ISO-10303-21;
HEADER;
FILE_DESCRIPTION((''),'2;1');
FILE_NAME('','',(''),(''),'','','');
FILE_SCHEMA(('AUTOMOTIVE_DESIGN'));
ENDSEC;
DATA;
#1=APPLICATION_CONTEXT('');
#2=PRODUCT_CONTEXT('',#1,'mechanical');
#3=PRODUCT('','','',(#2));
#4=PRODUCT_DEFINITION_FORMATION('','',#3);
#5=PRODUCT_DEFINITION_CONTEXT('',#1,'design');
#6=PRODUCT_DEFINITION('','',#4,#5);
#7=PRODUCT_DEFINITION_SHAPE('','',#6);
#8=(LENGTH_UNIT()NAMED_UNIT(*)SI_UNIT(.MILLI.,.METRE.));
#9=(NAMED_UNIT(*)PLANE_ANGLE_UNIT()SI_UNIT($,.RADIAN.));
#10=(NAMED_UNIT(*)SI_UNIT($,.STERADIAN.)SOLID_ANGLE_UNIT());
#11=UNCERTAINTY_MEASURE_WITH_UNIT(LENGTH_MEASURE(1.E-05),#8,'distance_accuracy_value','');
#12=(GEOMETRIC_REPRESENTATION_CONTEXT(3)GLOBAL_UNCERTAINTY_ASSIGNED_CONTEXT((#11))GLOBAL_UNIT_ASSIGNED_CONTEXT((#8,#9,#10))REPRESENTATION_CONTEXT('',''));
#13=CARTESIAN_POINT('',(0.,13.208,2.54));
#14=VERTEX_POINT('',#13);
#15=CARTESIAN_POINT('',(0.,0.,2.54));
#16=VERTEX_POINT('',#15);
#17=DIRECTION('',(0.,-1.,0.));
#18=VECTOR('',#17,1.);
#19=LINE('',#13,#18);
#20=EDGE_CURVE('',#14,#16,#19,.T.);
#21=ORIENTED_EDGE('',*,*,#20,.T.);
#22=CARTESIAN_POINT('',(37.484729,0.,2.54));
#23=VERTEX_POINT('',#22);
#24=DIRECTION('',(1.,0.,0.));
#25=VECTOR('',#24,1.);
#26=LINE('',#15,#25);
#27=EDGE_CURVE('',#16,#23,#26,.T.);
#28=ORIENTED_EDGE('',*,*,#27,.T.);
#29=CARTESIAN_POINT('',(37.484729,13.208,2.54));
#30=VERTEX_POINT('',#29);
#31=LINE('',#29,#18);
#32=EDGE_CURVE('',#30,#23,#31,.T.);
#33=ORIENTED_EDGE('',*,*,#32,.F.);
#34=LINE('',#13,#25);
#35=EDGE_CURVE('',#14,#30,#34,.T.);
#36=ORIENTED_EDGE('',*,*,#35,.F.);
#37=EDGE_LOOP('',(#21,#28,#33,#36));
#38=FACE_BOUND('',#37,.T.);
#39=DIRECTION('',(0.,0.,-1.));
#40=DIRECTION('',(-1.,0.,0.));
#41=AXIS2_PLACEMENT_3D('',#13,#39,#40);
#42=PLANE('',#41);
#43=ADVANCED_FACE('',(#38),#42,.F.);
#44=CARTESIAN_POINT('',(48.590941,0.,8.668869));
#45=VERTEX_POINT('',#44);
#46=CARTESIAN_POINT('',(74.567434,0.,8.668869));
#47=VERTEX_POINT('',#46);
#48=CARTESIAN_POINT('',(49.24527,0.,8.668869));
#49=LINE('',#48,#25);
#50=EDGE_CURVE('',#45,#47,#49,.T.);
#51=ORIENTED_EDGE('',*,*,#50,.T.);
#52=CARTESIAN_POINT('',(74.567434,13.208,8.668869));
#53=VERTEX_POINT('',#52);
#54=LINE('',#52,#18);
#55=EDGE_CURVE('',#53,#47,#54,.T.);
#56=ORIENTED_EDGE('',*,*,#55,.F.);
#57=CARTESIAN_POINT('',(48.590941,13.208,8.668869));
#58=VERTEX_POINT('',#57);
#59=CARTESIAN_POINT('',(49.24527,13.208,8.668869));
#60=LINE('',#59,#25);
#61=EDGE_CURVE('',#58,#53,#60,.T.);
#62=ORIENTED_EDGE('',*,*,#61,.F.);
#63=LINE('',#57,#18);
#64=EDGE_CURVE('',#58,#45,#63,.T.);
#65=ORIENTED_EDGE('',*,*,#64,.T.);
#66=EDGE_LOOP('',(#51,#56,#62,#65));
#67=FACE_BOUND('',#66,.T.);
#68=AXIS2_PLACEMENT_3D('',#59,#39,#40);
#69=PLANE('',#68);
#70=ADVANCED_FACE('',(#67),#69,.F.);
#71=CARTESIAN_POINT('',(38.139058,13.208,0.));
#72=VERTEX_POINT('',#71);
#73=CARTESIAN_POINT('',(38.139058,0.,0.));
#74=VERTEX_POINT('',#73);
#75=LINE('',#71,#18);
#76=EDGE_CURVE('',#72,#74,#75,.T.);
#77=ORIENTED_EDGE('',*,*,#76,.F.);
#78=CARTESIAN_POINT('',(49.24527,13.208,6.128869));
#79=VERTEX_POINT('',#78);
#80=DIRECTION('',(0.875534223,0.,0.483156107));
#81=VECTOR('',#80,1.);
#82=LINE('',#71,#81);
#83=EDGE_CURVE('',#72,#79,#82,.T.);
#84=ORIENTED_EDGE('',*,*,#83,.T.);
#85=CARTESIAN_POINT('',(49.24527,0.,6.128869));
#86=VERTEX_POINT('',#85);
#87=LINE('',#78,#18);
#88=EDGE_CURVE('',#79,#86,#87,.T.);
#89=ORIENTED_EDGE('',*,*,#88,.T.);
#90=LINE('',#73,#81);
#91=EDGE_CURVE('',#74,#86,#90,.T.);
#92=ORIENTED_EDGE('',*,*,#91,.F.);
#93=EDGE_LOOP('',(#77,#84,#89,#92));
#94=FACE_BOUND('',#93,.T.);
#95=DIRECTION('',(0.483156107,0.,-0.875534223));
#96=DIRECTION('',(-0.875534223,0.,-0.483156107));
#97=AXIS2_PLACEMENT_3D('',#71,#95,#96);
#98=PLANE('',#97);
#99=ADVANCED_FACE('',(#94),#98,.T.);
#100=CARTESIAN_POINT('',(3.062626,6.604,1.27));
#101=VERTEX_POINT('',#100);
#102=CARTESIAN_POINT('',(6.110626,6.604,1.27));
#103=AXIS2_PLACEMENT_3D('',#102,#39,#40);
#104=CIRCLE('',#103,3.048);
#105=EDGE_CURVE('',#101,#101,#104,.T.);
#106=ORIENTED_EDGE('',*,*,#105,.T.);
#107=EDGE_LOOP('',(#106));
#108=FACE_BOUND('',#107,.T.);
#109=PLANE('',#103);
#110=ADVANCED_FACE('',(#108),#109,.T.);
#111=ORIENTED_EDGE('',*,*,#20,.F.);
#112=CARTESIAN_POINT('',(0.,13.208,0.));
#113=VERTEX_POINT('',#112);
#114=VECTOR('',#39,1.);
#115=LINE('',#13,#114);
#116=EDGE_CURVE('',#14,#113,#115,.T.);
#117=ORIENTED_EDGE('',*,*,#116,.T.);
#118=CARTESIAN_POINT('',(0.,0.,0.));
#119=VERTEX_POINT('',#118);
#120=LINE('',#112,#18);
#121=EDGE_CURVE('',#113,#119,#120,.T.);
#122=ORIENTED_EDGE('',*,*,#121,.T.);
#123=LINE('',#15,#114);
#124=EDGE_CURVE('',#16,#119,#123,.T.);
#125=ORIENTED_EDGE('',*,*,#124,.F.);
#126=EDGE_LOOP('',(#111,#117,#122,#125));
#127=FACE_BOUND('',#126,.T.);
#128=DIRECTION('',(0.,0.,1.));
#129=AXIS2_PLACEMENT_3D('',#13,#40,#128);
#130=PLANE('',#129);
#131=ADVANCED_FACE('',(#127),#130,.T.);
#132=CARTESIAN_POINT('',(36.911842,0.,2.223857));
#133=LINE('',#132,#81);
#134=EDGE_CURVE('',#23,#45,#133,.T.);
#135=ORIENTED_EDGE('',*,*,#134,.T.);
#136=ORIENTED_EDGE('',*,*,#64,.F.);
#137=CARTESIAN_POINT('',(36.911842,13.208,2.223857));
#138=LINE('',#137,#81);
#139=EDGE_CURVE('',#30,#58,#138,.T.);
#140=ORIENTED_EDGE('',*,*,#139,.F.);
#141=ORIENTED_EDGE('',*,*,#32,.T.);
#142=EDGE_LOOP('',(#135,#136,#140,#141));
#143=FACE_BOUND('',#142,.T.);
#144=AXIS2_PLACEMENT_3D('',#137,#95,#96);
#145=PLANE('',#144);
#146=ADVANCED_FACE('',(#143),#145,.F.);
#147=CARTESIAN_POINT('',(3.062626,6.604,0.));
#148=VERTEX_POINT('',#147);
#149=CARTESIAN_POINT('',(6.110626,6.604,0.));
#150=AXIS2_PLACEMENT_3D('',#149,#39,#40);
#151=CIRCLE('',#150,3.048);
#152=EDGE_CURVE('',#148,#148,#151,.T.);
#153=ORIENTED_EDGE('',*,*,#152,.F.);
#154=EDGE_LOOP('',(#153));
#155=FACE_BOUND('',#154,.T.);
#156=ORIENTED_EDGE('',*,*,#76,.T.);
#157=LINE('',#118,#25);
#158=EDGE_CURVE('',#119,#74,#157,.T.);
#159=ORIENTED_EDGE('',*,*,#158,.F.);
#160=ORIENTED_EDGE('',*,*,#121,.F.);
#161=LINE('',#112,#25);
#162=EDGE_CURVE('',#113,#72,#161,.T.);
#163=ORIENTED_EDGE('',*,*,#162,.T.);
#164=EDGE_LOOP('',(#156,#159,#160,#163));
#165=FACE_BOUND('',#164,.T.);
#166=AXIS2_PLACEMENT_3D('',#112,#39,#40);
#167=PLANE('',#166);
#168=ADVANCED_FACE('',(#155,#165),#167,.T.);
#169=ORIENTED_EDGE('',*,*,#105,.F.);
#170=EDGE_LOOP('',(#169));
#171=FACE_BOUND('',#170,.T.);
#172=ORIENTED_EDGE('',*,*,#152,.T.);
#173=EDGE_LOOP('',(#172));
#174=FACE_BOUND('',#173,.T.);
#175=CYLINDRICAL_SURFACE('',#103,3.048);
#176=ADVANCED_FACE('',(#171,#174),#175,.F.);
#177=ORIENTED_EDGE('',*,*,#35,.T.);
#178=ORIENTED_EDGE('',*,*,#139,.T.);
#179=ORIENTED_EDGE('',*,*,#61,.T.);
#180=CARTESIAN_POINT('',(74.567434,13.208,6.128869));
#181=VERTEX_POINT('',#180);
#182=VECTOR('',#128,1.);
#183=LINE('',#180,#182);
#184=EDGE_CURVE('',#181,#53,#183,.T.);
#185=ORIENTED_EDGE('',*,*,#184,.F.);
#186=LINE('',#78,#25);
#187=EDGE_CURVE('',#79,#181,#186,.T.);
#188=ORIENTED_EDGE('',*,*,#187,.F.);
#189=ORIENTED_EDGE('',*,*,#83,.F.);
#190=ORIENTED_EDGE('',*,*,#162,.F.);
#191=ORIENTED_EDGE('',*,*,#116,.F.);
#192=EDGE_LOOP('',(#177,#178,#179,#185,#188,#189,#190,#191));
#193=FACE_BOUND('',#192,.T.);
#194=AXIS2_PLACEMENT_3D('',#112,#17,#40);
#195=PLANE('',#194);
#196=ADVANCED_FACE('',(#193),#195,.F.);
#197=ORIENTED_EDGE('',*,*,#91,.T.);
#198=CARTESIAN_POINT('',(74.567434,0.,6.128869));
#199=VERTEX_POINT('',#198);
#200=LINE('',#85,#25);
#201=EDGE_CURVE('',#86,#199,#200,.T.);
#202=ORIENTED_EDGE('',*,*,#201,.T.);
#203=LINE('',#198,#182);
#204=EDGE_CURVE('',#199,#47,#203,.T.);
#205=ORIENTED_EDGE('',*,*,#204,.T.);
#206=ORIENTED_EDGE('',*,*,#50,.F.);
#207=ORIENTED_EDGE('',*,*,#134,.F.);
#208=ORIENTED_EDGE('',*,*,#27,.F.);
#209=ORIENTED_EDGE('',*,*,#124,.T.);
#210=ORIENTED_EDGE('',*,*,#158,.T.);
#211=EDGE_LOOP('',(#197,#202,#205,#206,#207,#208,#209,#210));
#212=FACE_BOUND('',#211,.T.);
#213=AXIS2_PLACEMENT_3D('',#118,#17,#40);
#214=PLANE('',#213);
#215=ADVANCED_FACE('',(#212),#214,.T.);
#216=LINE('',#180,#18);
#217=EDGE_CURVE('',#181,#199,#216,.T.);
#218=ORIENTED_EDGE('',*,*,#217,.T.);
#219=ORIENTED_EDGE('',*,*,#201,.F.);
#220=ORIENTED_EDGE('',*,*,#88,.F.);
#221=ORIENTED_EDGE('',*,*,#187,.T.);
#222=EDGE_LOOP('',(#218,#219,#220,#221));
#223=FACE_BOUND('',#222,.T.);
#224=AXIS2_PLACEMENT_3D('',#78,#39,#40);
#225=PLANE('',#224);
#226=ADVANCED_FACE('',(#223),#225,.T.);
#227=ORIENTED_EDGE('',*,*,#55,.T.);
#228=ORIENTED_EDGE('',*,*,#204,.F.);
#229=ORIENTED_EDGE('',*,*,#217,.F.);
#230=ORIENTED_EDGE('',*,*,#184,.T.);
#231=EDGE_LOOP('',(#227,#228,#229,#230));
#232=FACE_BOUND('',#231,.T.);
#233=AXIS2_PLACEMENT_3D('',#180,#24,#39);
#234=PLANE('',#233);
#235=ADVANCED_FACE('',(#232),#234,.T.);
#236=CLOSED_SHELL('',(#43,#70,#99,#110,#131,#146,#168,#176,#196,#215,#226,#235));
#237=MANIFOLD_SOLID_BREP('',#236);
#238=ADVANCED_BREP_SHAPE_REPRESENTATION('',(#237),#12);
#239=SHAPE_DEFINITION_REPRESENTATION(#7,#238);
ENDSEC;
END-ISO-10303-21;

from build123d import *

# Parameters (mm, degrees)
EXTRUDE_THIN1_DEPTH = 13.208
SKETCH3_R           = 3.048
CUT_EXTRUDE1_DEPTH  = 1.27


with BuildPart() as part:
    # Sketch1 → Extrude-Thin1 (new body)
    with BuildSketch(Plane(origin=(0, 0, 0), x_dir=(1, 0, 0), z_dir=(0, 1, 0))):
        Polygon((0, 0), (38.139058105, 0), (49.245270394, -6.128868698), (74.567434413, -6.128868698), (74.567434413, -8.668868698), (48.590941352, -8.668868698), (37.484729063, -2.54), (0, -2.54), align=None)
    extrude(amount=EXTRUDE_THIN1_DEPTH)

    # Sketch3 → Cut-Extrude1 (cut)
    with BuildSketch(Plane(origin=(0, 0, 0), x_dir=(-1, 0, 0), z_dir=(0, 0, -1))):
        with Locations((-6.110625798, 6.604)):
            Circle(SKETCH3_R)
    extrude(amount=-CUT_EXTRUDE1_DEPTH, mode=Mode.SUBTRACT)


solid = part.part
